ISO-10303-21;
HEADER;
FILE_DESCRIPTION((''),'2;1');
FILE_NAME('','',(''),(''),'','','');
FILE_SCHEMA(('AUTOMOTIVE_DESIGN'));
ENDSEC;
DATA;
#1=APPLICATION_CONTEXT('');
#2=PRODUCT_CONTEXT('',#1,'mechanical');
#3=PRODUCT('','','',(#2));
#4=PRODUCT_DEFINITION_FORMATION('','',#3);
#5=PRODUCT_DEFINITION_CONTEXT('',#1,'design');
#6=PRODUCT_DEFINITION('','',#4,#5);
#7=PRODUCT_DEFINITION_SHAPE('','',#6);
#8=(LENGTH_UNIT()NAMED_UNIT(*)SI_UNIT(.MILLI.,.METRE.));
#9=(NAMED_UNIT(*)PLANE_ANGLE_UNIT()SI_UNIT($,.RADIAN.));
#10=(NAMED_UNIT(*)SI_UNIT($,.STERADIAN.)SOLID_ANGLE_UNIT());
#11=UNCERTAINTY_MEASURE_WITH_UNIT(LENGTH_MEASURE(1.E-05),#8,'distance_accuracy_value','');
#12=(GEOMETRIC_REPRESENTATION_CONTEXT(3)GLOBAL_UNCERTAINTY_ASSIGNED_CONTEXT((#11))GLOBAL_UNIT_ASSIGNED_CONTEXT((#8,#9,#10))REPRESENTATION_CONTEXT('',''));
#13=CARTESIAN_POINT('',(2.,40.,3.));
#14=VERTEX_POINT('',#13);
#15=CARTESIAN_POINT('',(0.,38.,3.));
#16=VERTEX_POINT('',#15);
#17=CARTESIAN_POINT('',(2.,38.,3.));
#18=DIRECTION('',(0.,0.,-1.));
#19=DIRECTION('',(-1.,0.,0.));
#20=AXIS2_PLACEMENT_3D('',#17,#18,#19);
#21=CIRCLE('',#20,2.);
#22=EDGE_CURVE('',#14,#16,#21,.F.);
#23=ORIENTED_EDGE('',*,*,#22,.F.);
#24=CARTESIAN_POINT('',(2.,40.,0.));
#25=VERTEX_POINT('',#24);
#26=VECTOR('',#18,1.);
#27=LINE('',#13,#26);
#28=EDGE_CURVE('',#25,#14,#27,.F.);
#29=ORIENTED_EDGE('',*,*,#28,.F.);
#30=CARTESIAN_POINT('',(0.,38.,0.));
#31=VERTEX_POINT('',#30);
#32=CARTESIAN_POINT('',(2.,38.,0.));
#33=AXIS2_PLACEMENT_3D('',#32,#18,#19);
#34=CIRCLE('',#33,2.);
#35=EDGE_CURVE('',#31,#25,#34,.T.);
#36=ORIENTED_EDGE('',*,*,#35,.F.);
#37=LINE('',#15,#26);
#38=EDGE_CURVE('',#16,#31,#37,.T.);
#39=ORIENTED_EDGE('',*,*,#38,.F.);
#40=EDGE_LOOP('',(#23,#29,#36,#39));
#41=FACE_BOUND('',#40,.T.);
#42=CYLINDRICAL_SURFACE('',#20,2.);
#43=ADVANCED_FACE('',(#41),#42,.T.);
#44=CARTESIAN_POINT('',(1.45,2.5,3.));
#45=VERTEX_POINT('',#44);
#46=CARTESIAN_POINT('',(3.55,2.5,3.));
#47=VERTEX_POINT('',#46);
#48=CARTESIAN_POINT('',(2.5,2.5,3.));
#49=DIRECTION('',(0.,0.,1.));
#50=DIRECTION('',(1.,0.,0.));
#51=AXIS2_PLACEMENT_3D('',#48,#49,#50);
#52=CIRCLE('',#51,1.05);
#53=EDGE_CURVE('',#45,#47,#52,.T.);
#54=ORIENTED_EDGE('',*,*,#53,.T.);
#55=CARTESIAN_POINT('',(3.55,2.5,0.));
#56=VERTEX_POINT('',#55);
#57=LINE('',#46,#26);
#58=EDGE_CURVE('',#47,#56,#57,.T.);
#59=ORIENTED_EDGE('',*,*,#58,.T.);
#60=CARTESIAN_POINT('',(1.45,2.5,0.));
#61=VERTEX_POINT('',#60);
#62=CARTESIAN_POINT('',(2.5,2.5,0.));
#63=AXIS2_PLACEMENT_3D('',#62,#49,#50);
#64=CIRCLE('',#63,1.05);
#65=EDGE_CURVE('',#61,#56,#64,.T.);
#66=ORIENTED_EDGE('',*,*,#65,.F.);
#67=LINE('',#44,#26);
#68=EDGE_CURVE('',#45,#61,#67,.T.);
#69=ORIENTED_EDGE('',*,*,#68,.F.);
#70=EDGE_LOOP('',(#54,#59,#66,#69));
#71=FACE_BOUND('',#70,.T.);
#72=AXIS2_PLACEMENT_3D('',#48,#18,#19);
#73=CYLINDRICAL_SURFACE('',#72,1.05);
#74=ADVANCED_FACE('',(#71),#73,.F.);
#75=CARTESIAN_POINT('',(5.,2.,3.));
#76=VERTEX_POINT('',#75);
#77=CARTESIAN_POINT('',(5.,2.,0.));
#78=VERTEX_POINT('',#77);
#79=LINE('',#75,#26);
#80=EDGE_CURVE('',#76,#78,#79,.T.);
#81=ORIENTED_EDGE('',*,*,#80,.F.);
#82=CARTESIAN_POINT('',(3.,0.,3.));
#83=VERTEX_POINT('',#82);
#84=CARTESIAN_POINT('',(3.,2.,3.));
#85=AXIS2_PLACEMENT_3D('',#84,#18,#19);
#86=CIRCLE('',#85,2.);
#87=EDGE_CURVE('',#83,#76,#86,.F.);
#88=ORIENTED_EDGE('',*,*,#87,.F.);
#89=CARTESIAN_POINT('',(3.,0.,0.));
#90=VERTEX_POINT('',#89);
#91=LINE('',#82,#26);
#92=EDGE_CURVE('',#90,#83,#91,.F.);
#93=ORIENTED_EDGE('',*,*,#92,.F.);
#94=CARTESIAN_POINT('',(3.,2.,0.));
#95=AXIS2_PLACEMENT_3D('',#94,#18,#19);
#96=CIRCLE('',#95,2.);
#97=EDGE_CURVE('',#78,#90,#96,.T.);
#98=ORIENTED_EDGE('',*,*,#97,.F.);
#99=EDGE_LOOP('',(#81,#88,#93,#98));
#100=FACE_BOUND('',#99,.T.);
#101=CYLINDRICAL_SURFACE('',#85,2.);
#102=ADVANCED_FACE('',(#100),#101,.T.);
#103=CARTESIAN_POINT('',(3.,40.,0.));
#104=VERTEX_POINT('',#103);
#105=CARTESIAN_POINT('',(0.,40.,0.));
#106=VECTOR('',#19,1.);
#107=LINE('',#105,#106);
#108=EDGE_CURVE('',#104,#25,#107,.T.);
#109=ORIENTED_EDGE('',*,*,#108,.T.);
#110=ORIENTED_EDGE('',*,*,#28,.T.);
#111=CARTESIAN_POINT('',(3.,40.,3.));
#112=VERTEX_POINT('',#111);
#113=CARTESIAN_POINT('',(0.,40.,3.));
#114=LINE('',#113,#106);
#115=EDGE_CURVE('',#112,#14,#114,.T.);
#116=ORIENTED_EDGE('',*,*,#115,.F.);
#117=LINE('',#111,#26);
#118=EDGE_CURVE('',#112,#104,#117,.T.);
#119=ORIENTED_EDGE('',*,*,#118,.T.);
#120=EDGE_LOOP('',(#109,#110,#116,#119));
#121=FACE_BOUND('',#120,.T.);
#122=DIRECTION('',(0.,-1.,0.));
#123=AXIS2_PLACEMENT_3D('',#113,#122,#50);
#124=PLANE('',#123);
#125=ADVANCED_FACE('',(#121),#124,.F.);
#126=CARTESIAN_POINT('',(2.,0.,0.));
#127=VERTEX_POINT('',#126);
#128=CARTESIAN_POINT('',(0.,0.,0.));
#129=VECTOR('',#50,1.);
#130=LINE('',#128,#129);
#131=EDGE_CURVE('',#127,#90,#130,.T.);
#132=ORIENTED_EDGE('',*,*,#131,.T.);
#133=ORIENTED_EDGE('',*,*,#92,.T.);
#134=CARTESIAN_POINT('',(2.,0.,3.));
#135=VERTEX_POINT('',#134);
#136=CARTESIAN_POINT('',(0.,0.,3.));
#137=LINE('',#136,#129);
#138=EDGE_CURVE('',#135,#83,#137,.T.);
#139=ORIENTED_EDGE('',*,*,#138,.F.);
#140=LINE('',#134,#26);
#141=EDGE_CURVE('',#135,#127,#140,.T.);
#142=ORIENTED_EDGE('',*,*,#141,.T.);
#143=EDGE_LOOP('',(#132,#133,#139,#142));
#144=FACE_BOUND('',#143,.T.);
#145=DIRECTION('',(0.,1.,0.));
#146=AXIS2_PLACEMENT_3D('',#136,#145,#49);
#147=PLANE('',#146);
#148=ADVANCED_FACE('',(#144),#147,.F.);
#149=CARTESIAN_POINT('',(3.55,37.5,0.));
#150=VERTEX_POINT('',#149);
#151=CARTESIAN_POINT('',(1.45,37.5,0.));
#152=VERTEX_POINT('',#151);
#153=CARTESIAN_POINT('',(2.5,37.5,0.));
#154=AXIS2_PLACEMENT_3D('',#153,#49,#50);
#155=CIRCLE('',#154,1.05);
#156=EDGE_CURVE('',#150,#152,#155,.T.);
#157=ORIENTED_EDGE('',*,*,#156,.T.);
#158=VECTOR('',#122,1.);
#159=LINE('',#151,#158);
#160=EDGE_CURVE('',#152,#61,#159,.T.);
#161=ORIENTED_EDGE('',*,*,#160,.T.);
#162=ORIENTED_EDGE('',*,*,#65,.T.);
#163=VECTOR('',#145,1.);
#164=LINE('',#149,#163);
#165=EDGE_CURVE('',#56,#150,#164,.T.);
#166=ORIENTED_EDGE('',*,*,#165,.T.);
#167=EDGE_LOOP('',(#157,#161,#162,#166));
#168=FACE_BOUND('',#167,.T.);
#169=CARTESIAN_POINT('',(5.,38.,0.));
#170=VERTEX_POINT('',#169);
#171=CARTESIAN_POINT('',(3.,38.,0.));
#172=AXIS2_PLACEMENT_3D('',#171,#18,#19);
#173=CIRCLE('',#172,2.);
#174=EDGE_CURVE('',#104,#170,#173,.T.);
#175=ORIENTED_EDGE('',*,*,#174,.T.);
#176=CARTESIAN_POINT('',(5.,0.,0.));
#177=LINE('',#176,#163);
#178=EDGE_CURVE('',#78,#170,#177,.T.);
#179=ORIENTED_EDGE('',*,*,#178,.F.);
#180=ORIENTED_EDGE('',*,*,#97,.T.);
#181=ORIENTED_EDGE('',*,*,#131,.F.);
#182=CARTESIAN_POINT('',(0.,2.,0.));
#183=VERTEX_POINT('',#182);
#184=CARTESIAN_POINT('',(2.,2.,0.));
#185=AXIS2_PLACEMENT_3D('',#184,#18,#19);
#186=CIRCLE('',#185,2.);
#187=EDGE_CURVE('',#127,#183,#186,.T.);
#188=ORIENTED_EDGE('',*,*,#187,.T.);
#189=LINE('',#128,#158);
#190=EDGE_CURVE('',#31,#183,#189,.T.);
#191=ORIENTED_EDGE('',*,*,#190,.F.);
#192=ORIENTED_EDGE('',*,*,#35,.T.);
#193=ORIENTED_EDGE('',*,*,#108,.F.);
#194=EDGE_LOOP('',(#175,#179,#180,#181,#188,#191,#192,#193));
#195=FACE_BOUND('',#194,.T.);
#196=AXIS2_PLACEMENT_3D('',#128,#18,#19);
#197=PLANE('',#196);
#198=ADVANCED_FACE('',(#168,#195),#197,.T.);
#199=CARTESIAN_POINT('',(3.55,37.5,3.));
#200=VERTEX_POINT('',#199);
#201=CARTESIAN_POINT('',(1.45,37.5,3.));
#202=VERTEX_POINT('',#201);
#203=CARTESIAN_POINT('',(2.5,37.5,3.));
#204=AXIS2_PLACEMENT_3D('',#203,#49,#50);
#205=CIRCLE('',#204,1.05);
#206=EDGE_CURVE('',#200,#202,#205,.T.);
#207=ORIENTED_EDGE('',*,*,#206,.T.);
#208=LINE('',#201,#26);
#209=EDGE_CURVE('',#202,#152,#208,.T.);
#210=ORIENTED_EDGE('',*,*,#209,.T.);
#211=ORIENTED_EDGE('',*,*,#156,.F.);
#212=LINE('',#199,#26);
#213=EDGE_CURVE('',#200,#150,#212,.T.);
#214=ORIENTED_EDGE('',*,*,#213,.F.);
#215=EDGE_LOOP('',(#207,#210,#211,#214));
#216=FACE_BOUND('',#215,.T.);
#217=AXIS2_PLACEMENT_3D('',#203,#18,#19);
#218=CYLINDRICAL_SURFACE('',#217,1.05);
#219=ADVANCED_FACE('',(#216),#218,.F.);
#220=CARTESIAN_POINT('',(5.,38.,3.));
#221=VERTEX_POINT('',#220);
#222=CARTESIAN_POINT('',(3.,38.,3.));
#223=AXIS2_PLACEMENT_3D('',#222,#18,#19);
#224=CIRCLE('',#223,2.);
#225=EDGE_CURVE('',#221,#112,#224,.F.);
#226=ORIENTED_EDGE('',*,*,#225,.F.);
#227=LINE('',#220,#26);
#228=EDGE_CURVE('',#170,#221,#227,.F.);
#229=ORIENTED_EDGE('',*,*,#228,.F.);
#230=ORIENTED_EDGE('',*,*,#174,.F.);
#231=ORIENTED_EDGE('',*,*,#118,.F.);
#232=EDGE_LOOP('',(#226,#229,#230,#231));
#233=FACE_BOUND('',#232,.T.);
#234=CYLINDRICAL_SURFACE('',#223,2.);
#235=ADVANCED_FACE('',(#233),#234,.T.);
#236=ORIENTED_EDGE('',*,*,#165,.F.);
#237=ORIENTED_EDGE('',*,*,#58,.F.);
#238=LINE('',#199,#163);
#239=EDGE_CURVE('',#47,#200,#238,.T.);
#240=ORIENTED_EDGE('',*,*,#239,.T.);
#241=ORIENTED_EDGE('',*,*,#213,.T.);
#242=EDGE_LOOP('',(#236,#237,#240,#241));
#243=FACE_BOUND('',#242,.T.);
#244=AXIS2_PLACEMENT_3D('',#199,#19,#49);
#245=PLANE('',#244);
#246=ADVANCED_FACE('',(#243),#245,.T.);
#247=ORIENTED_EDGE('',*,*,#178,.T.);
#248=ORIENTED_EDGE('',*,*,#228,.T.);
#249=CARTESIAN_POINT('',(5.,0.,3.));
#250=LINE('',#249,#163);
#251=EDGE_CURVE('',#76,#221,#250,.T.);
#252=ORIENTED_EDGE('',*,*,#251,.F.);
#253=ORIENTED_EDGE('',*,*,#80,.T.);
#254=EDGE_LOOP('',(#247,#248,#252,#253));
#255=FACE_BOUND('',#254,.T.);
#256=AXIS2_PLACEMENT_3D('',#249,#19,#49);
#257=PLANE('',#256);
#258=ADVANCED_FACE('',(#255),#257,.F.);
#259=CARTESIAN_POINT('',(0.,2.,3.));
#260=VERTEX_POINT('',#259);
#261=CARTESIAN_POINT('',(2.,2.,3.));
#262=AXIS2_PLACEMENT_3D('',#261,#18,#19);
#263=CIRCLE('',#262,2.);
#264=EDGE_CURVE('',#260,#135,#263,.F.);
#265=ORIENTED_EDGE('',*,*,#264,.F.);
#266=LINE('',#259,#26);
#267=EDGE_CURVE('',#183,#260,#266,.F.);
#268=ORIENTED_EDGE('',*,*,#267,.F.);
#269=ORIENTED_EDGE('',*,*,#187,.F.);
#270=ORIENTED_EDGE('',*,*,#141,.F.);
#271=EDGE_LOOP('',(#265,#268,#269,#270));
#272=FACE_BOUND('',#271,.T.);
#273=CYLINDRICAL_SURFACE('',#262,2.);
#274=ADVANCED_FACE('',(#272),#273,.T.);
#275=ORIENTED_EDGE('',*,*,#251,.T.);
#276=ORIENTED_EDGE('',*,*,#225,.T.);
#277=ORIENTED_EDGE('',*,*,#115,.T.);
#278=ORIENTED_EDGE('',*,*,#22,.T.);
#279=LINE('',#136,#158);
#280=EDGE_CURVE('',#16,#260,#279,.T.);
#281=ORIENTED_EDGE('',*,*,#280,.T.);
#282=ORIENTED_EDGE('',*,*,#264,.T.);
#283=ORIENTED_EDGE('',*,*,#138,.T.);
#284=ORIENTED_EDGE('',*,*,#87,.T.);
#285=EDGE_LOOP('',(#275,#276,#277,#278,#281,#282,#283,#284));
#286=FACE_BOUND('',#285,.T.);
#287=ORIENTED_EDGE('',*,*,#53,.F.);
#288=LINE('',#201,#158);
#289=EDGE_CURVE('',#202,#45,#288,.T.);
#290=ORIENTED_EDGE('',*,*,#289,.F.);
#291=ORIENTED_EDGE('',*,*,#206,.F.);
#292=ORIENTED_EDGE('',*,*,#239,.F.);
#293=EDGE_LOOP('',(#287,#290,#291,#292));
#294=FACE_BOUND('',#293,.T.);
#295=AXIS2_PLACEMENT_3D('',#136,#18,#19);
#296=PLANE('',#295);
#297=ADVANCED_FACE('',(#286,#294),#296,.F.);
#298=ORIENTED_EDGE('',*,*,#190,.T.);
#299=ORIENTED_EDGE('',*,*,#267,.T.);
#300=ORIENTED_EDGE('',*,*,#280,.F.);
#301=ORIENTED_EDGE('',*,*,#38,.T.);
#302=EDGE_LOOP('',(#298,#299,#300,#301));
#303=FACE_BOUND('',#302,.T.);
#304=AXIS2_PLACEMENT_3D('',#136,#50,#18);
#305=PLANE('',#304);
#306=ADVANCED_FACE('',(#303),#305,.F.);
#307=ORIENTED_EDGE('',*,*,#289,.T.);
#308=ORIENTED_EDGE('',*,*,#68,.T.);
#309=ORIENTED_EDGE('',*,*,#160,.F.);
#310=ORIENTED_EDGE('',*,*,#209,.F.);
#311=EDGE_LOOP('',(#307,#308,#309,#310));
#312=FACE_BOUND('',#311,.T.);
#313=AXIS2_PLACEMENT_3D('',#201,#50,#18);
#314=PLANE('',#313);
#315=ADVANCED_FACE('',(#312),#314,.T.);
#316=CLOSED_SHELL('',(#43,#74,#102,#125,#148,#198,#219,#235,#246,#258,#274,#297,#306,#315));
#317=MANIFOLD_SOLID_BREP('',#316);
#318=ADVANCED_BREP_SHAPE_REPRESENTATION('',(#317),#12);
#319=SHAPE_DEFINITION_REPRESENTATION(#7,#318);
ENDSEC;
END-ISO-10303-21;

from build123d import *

# Parameters (mm, degrees)
SKETCH1_W           = 5
SKETCH1_H           = 40
BOSS_EXTRUDE1_DEPTH = 3
FILLET1_R           = 2


with BuildPart() as part:
    # Sketch1 → Boss-Extrude1 (new body)
    with BuildSketch(Plane.XY):
        with Locations((2.5, 20)):
            Rectangle(SKETCH1_W, SKETCH1_H)
        with BuildLine():
            Line((3.55, 37.5), (3.55, 2.5))
            ThreePointArc((3.55, 2.5), (2.5, 1.45), (1.45, 2.5))
            Line((1.45, 2.5), (1.45, 37.5))
            ThreePointArc((1.45, 37.5), (2.5, 38.55), (3.55, 37.5))
        make_face(mode=Mode.SUBTRACT)
    extrude(amount=BOSS_EXTRUDE1_DEPTH)

    # Fillet1
    fillet1_edges = [part.edges().sort_by_distance(p)[0] for p in [
        (0, 40, 1.5),
        (5, 40, 1.5),
        (5, 0, 1.5),
        (0, 0, 1.5),
    ]]
    fillet(fillet1_edges, radius=FILLET1_R)


solid = part.part
